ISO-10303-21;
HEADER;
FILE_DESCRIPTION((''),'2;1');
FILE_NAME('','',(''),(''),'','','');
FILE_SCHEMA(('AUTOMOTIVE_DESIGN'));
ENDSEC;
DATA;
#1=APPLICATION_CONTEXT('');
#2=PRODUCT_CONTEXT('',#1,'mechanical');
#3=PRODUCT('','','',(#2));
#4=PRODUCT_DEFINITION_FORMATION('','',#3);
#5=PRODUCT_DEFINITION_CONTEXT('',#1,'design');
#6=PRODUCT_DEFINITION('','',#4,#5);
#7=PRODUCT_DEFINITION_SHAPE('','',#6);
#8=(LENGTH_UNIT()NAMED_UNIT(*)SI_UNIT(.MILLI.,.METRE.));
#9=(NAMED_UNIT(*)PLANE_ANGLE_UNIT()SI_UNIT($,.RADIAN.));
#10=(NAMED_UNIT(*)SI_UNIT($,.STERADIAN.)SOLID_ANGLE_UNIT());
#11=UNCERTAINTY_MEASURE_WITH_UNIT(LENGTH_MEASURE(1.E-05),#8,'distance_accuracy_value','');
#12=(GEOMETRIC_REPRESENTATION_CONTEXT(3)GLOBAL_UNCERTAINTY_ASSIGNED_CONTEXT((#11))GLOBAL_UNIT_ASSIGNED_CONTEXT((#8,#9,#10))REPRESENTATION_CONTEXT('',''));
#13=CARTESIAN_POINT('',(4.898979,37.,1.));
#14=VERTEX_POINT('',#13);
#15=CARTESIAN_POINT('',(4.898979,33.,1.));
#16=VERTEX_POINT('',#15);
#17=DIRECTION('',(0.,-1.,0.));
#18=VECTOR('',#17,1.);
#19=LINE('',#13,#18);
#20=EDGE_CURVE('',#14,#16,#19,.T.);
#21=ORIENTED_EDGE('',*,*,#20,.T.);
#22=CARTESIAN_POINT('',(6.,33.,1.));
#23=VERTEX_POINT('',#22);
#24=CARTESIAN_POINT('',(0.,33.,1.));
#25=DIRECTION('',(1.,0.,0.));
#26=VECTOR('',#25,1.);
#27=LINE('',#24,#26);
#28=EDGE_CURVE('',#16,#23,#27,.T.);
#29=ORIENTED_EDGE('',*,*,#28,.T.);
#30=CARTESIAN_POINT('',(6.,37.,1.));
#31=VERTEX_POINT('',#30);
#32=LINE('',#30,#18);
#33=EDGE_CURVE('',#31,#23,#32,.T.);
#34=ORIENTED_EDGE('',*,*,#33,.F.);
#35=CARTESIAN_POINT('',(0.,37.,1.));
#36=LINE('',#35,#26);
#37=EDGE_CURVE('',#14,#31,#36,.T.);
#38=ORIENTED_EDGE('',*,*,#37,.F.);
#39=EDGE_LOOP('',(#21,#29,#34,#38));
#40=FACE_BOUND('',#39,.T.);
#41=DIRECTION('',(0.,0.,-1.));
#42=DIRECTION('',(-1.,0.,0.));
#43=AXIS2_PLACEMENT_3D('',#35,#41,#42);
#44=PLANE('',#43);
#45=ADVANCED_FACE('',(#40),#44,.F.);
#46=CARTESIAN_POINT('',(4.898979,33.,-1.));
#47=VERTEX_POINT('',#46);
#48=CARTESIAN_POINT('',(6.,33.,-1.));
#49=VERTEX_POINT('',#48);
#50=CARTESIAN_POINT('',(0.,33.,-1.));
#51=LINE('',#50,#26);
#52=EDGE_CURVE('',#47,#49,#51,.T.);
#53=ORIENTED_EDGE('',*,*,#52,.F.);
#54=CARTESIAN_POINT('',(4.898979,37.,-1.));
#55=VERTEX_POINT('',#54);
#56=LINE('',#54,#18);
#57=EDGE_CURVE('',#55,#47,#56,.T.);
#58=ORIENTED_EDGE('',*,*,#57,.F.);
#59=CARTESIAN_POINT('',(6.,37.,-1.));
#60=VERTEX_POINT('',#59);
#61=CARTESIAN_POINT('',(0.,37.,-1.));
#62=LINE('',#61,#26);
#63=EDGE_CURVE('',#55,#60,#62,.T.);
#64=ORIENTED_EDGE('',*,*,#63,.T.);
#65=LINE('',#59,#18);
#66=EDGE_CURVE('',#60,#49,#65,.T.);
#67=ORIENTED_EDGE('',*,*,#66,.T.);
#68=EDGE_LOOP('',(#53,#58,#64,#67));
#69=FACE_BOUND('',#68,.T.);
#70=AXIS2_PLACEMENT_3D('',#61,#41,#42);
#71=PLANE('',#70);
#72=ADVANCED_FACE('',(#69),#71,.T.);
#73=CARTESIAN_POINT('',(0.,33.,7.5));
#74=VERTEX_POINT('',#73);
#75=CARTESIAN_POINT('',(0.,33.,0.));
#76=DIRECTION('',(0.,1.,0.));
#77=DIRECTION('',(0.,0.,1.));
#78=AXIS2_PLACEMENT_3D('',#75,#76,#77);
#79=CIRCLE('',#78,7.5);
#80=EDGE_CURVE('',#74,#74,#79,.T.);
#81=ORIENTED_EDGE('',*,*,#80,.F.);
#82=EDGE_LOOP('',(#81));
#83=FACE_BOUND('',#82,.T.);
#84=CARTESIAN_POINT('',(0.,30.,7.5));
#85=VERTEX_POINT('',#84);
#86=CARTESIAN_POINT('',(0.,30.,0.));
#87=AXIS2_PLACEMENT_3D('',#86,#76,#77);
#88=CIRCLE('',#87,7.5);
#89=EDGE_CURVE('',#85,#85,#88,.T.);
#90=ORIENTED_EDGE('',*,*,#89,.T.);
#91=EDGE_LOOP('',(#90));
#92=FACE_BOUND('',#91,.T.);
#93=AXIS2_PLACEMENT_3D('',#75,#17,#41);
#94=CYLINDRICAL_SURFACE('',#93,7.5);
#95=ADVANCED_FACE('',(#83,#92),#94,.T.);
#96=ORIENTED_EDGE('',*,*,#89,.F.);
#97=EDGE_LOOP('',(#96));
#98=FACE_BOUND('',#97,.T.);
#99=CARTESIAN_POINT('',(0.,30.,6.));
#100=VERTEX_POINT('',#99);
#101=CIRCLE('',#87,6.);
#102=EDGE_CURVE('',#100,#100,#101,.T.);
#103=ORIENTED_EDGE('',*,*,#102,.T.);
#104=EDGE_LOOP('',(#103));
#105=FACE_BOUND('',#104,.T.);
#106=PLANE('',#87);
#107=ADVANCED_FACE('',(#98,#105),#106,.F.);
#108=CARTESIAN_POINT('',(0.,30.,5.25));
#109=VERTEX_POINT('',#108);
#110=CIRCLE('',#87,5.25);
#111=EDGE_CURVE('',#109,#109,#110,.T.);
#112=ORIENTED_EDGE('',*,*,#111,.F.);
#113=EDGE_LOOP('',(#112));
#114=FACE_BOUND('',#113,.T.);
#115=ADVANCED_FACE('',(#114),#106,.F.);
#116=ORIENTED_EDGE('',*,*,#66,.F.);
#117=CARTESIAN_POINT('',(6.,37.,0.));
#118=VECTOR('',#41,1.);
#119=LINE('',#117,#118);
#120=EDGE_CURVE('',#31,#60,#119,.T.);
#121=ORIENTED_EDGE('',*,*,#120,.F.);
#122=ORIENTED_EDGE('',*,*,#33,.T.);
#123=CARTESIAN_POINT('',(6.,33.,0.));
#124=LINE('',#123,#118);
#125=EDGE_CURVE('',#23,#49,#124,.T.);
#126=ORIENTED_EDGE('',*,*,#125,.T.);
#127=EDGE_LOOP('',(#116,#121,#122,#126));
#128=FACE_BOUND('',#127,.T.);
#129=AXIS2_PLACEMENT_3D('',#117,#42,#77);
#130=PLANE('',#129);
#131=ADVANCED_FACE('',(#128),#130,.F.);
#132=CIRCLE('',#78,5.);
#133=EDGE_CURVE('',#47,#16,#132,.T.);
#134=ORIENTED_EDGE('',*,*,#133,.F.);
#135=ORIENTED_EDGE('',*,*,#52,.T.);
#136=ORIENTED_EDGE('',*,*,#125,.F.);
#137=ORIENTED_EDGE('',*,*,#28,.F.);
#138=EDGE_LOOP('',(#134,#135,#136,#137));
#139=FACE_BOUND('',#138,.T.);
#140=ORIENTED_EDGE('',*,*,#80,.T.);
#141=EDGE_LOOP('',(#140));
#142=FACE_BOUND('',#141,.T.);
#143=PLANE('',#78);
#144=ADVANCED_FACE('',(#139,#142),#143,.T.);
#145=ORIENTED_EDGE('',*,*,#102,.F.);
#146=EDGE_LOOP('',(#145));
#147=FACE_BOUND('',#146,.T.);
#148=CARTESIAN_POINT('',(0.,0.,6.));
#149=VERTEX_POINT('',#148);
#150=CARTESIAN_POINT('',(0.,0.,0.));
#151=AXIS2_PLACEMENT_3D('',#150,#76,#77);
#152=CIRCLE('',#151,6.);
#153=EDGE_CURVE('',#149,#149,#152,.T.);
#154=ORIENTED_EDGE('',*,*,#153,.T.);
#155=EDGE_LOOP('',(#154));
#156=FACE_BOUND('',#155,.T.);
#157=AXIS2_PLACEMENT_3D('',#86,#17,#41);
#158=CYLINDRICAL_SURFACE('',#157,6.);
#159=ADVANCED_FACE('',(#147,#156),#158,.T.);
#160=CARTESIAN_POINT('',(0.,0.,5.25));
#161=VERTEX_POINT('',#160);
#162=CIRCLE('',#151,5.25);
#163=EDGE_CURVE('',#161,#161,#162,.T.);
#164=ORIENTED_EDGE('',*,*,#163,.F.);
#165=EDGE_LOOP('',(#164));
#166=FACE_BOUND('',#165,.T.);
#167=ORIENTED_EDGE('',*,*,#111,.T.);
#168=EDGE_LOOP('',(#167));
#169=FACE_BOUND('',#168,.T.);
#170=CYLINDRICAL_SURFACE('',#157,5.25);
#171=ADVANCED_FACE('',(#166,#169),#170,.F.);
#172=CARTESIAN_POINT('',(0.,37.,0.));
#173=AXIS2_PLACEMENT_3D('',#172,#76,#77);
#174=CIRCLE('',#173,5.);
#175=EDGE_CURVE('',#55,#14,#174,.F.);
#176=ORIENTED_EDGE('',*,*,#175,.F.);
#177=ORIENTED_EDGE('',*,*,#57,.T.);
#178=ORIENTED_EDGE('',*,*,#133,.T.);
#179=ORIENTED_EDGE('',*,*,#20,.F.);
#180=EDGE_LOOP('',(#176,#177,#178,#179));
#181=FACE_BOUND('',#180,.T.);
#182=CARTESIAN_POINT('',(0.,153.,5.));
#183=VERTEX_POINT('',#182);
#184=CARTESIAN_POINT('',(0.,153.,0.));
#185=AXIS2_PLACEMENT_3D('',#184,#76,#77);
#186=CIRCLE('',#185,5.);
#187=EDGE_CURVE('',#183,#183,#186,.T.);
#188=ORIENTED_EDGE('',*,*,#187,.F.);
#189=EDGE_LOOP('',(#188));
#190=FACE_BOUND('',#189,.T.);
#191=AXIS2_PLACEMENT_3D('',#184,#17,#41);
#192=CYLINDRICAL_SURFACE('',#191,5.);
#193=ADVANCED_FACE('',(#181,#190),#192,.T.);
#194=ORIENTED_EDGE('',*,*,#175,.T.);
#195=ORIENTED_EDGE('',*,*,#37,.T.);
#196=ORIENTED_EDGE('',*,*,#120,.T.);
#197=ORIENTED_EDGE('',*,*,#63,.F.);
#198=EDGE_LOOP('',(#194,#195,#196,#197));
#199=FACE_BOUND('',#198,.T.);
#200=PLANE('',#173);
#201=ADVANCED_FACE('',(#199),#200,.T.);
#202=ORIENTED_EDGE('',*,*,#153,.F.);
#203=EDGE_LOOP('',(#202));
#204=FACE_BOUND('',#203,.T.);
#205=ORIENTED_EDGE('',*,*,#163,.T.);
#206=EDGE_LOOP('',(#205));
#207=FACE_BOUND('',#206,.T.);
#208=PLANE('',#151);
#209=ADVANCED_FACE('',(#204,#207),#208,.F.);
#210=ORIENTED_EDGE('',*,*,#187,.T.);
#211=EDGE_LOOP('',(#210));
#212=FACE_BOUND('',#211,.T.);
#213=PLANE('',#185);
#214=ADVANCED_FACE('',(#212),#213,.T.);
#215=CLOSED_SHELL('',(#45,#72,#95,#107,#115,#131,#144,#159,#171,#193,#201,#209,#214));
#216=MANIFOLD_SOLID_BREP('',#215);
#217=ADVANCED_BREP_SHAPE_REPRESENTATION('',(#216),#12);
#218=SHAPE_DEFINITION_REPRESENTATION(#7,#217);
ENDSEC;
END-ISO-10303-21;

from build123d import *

# Parameters (mm, degrees)
SKETCH_1_R      = 6
SKETCH_1_R_2    = 5.25
EXTRUDE_2_DEPTH = 30
SKETCH_2_R      = 7.5
EXTRUDE_3_DEPTH = 3
SKETCH_3_R      = 5
EXTRUDE_4_DEPTH = 120
EXTRUDE_6_DEPTH = 4


with BuildPart() as part:
    # 草图1 → 凸台-拉伸2 (new body)
    with BuildSketch(Plane(origin=(0, 0, 0), x_dir=(1, 0, 0), z_dir=(0, 1, 0))):
        with Locations(Location((0, 0, 0), (0, 0, 270))):
            Circle(SKETCH_1_R)
        with Locations(Location((0, 0, 0), (0, 0, 270))):
            Circle(SKETCH_1_R_2, mode=Mode.SUBTRACT)
    extrude(amount=EXTRUDE_2_DEPTH)

    # 草图2 → 凸台-拉伸3 (add)
    with BuildSketch(Plane(origin=(0, 30, 0), x_dir=(1, 0, 0), z_dir=(0, 1, 0))):
        with Locations(Location((0, 0, 0), (0, 0, 270))):
            Circle(SKETCH_2_R)
    extrude(amount=EXTRUDE_3_DEPTH)

    # 草图3 → 凸台-拉伸4 (add)
    with BuildSketch(Plane(origin=(0, 33, 0), x_dir=(1, 0, 0), z_dir=(0, 1, 0))):
        with Locations(Location((0, 0, 0), (0, 0, 270))):
            Circle(SKETCH_3_R)
    extrude(amount=EXTRUDE_4_DEPTH)

    # 草图4 → 凸台-拉伸6 (add)
    with BuildSketch(Plane(origin=(0, 33, 0), x_dir=(1, 0, 0), z_dir=(0, 1, 0))):
        with BuildLine():
            Line((6, 1), (4.898979486, 1))
            ThreePointArc((4.898979486, 1), (4.974680765, 0.50254481), (5, 0))
            Line((5, 0), (6, 0))
            Line((6, 0), (6, 1))
        make_face()
        with BuildLine():
            ThreePointArc((5, 0), (4.974680765, -0.50254481), (4.898979486, -1))
            Line((4.898979486, -1), (6, -1))
            Line((6, -1), (6, 0))
            Line((6, 0), (5, 0))
        make_face()
    extrude(amount=EXTRUDE_6_DEPTH)


solid = part.part
